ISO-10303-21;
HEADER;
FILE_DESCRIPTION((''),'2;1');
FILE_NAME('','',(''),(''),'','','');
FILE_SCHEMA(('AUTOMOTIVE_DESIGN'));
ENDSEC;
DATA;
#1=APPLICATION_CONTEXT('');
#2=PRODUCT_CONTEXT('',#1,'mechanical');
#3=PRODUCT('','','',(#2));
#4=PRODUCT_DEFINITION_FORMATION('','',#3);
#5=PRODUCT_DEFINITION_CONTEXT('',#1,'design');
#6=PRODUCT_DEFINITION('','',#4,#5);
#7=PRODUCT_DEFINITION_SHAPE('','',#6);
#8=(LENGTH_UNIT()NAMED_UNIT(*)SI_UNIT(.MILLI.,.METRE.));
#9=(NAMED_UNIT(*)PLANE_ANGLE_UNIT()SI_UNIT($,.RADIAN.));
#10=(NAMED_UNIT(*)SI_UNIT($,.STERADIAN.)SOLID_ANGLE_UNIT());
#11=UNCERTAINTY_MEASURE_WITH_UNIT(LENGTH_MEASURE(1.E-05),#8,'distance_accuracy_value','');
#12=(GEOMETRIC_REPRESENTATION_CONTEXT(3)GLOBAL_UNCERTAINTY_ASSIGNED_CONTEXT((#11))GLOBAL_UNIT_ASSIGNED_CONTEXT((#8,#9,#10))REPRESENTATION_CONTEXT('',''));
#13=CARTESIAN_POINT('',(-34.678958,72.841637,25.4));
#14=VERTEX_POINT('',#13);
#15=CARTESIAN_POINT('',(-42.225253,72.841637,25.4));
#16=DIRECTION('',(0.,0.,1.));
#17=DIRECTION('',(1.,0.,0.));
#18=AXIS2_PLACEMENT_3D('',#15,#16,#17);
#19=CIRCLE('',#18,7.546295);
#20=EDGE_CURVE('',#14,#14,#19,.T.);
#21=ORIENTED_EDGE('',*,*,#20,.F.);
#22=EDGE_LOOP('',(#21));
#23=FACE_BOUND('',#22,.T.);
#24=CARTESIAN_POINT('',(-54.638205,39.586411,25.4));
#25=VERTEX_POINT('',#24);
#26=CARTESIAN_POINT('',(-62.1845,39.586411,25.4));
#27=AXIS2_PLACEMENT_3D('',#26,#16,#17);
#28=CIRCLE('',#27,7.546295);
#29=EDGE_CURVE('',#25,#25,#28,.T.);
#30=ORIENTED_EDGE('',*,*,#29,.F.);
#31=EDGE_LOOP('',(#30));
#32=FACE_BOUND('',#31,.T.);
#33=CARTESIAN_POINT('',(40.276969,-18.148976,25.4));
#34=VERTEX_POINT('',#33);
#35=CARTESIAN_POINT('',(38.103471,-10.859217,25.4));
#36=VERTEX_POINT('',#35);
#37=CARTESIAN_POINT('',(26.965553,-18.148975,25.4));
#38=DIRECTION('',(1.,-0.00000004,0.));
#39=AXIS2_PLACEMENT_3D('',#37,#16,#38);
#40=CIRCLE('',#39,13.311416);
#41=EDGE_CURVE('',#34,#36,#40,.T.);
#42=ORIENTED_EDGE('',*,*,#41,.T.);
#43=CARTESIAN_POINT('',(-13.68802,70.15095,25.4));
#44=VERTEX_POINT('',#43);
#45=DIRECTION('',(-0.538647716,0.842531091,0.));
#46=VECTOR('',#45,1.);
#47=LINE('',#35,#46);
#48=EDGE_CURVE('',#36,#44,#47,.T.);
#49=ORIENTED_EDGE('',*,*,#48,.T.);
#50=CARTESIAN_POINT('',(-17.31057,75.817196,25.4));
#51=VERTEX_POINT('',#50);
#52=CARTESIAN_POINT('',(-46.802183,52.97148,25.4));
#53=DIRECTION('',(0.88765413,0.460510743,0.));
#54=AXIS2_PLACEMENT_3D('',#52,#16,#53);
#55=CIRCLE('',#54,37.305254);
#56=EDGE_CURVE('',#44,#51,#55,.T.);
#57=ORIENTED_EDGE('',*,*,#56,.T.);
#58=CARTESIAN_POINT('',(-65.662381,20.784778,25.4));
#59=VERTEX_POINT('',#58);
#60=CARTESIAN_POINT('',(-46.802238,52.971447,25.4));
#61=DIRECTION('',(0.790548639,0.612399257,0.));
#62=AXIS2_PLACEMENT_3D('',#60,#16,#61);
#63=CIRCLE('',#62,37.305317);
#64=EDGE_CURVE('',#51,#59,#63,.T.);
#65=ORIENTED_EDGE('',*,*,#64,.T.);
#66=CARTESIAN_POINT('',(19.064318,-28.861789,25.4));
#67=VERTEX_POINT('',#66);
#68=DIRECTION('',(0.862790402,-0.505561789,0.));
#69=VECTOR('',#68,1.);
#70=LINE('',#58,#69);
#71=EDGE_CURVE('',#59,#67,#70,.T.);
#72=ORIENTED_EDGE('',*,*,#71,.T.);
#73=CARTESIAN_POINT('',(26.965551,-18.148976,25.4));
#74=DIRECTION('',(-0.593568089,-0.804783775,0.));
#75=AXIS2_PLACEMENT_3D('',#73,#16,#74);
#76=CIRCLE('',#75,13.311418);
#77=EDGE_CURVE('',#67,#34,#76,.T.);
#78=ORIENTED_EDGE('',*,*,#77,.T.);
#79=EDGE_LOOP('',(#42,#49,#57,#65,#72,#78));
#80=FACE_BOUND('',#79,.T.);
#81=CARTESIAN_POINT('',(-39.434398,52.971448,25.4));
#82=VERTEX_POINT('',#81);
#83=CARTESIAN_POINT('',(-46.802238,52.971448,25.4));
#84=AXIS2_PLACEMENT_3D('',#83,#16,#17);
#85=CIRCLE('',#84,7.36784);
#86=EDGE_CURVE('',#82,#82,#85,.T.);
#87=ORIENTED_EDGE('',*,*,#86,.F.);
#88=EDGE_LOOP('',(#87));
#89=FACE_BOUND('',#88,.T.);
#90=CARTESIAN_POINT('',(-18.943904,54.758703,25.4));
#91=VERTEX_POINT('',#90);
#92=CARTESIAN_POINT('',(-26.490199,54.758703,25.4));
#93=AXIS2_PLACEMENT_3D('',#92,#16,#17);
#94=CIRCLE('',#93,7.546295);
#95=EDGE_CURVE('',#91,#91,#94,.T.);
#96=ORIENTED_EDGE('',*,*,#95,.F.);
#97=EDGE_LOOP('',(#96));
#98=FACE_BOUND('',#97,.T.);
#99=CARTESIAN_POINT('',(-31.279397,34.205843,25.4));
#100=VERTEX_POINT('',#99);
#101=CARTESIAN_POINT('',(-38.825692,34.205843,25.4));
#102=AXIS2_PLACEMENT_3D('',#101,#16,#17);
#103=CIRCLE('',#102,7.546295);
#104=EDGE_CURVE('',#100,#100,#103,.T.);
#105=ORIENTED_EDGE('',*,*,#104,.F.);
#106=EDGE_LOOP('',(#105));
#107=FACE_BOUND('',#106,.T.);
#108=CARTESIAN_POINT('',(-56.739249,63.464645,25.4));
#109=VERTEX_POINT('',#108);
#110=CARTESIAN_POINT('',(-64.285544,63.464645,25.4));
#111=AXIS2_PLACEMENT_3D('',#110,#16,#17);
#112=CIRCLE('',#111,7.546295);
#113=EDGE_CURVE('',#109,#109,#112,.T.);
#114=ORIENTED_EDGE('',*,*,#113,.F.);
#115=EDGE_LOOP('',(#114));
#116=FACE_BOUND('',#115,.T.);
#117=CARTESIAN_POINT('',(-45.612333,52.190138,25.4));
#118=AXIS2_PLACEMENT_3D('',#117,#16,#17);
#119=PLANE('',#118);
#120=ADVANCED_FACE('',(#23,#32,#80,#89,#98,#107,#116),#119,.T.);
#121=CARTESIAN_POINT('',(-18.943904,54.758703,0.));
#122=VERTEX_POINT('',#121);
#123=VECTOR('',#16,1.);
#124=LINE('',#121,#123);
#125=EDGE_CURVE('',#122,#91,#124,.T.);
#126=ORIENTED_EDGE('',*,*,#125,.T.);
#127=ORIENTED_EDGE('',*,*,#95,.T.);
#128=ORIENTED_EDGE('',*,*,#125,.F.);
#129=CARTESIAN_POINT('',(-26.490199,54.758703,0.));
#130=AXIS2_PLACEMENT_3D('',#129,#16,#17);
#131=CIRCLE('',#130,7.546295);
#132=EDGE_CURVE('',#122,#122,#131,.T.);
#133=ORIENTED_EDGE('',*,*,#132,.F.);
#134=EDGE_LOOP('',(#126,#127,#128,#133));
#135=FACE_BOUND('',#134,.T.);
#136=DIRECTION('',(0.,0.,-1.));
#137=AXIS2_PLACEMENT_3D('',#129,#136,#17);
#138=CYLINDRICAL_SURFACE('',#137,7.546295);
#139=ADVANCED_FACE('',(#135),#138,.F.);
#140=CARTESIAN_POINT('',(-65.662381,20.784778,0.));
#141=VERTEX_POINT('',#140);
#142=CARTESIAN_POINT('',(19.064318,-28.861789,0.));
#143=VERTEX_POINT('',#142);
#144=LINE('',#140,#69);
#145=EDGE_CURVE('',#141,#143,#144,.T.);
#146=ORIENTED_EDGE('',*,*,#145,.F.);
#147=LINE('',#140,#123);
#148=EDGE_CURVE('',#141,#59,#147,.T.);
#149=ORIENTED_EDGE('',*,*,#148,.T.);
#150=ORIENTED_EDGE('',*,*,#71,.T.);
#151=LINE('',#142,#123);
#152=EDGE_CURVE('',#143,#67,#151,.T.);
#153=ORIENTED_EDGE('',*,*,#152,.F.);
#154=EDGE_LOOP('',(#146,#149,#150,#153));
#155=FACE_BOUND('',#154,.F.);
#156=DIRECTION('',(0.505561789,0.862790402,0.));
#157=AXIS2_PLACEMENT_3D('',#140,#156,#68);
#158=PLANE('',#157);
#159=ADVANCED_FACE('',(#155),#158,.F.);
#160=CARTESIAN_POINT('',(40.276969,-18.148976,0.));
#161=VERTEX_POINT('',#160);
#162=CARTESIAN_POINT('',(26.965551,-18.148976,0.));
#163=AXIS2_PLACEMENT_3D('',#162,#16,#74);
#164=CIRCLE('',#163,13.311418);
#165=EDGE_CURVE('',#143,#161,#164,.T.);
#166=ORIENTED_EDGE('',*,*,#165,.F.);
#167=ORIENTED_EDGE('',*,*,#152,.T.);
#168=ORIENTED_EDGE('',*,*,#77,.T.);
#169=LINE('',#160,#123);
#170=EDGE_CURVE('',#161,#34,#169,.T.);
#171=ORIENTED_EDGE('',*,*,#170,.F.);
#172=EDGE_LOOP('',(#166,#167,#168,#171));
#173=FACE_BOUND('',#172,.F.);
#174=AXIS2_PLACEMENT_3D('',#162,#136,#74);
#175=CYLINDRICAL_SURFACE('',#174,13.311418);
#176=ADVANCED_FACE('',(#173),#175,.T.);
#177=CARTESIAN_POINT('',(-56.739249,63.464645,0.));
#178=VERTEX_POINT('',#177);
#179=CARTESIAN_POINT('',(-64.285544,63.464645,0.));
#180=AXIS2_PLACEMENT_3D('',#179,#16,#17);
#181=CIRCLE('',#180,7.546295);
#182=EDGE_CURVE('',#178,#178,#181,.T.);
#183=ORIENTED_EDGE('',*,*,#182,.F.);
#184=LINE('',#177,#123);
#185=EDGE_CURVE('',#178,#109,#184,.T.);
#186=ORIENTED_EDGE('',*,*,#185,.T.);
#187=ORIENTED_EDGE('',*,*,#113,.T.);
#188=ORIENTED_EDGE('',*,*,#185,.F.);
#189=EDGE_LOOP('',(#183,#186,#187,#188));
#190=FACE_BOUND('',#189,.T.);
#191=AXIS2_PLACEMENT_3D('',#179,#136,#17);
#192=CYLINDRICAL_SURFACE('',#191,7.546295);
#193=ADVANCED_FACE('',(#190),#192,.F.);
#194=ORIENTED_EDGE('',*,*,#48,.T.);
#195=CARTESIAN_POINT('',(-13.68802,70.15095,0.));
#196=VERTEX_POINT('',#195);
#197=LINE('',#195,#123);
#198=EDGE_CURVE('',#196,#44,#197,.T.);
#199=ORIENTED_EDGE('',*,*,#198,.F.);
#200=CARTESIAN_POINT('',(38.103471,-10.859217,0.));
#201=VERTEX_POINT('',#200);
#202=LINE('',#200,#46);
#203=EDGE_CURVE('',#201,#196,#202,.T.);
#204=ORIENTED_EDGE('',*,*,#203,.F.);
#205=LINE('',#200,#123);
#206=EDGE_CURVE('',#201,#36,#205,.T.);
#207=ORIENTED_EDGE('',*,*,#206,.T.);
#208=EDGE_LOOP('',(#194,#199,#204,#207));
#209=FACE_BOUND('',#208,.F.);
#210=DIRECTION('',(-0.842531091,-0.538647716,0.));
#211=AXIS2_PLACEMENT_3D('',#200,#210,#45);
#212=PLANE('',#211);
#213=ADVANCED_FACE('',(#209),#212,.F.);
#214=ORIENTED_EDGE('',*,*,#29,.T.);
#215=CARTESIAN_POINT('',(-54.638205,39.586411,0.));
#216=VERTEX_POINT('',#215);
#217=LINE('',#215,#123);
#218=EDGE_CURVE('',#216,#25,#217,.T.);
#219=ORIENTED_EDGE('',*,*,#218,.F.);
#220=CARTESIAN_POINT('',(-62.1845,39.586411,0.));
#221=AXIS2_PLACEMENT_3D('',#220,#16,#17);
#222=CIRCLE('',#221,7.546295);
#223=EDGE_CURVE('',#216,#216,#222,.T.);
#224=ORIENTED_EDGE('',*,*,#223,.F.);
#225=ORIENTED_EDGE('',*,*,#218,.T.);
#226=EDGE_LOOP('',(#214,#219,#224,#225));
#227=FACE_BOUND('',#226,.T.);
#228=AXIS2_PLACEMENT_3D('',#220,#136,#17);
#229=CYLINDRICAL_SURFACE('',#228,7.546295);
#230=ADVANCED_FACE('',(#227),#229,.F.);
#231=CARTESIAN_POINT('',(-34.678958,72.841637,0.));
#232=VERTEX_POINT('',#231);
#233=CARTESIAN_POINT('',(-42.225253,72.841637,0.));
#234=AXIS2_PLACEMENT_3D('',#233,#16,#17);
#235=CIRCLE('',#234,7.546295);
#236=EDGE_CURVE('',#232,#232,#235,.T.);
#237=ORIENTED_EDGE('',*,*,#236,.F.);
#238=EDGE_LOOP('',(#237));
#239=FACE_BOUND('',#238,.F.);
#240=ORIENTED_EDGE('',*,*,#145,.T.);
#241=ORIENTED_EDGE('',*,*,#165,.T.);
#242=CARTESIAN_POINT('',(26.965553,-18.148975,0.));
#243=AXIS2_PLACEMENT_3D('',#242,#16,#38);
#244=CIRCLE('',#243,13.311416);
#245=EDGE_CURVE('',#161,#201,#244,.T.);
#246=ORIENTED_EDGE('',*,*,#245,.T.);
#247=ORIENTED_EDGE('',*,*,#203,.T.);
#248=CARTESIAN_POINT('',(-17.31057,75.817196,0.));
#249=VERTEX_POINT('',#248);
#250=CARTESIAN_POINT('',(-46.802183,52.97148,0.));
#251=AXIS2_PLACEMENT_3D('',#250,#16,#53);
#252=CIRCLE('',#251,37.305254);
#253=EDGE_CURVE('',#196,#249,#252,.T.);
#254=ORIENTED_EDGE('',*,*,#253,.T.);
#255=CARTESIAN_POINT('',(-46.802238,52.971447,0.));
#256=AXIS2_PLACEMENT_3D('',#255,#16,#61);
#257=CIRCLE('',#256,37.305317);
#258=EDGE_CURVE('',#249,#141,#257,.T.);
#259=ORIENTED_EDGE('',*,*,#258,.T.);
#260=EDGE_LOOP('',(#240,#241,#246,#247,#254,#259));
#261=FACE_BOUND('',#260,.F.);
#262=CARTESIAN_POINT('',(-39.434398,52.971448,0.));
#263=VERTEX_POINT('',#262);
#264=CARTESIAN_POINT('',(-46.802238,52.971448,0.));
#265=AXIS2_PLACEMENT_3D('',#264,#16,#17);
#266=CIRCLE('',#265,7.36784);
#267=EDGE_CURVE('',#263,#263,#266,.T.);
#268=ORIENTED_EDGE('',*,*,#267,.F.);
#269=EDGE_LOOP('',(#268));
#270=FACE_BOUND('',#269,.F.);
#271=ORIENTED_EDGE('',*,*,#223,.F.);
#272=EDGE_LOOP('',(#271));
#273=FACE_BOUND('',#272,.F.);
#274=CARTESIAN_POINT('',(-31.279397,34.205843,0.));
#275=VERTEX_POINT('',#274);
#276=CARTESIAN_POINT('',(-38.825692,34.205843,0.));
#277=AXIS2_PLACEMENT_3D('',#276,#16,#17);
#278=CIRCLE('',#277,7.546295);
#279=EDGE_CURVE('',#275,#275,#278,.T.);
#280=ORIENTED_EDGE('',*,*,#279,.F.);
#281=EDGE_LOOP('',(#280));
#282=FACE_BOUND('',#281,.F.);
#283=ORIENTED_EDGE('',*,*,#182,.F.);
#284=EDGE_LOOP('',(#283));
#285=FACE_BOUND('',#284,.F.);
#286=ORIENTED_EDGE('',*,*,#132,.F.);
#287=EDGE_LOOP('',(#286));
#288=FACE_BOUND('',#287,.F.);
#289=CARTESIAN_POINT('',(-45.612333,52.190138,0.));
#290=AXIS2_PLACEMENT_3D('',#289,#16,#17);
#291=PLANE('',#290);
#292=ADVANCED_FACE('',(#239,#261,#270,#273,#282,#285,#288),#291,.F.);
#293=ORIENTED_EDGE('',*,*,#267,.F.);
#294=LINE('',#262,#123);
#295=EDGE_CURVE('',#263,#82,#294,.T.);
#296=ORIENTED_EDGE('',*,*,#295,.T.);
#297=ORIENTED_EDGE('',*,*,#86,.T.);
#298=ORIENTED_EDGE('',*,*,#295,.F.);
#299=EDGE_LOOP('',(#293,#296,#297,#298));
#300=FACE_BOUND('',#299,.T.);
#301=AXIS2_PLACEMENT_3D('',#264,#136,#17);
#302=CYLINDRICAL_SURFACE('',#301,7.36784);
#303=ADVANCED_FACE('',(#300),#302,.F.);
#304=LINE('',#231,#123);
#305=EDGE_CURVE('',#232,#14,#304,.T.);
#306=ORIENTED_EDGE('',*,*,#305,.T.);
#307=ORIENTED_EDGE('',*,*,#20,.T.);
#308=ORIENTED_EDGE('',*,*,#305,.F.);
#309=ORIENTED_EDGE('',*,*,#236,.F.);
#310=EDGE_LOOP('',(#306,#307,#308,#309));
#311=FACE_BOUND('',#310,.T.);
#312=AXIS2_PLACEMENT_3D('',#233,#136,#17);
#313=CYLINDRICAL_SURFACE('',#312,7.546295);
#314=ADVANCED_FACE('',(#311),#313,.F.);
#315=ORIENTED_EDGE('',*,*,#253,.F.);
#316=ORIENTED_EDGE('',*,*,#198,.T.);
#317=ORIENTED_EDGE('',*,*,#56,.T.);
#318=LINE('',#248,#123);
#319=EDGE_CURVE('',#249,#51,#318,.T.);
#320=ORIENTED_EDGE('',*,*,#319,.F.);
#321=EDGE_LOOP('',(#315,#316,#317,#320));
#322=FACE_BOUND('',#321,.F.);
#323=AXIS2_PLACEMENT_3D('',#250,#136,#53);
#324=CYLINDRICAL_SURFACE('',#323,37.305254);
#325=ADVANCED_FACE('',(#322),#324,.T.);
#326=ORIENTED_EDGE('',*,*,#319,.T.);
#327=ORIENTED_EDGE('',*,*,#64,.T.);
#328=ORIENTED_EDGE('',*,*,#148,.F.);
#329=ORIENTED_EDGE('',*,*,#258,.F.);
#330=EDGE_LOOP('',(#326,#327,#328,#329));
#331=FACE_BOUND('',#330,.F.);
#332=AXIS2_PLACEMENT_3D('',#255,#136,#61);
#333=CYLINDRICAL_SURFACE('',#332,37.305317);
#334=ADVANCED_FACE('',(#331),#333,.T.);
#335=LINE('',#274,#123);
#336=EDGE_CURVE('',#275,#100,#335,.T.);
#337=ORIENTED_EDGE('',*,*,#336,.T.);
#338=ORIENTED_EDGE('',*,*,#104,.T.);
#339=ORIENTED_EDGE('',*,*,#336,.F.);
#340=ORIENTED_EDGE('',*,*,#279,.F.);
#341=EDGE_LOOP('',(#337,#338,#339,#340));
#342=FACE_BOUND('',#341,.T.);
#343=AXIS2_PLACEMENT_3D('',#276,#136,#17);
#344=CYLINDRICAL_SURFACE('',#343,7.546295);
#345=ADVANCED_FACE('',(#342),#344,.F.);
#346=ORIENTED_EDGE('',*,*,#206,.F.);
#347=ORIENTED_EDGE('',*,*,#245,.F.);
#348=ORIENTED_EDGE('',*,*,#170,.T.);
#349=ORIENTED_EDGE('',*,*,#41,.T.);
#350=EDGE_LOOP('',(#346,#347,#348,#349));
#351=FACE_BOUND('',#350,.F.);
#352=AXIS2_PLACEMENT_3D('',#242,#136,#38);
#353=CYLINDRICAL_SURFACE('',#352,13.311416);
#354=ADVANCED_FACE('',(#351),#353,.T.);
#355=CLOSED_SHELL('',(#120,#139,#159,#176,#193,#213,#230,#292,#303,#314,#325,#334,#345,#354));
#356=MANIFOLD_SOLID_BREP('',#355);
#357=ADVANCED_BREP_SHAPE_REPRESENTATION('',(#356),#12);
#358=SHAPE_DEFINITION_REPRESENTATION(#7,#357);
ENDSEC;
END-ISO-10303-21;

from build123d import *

# Parameters (mm, degrees)
F0_R     = 7.546295
F0_R_2   = 7.36784
F1_DEPTH = 25.4


with BuildPart() as f1:
    # F0 (on Top) → F1 (new body)
    with BuildSketch(Plane.XY):
        with BuildLine():
            Line((-13.68802, 70.15095), (-17.31057, 75.817196))
            ThreePointArc((-17.31057, 75.817196), (-74.82721, 77.594356), (-65.662381, 20.784778))
            ThreePointArc((-65.662381, 20.784778), (-28.253611, 20.604255), (-9.49692, 52.971448))
            ThreePointArc((-9.49692, 52.971448), (-10.559838, 61.813119), (-13.68802, 70.15095))
        make_face()
        with Locations((-62.1845, 39.586411)):
            Circle(F0_R, mode=Mode.SUBTRACT)
        with Locations((-38.825692, 34.205843)):
            Circle(F0_R, mode=Mode.SUBTRACT)
        with Locations((-46.802238, 52.971448)):
            Circle(F0_R_2, mode=Mode.SUBTRACT)
        with Locations((-26.490199, 54.758703)):
            Circle(F0_R, mode=Mode.SUBTRACT)
        with Locations((-64.285544, 63.464645)):
            Circle(F0_R, mode=Mode.SUBTRACT)
        with Locations((-42.225253, 72.841637)):
            Circle(F0_R, mode=Mode.SUBTRACT)
        with BuildLine():
            ThreePointArc((-13.68802, 70.15095), (-15.371348, 73.065872), (-17.31057, 75.817196))
            Line((-17.31057, 75.817196), (-13.68802, 70.15095))
        make_face()
        with BuildLine():
            ThreePointArc((-9.49692, 52.971448), (-28.253611, 20.604255), (-65.662381, 20.784778))
            Line((-65.662381, 20.784778), (19.064318, -28.861789))
            ThreePointArc((19.064318, -28.861789), (17.819941, -8.476765), (38.103471, -10.859217))
            Line((38.103471, -10.859217), (-13.68802, 70.15095))
            ThreePointArc((-13.68802, 70.15095), (-10.559838, 61.813119), (-9.49692, 52.971448))
        make_face()
        with BuildLine():
            ThreePointArc((38.103471, -10.859217), (17.819941, -8.476765), (19.064318, -28.861789))
            ThreePointArc((19.064318, -28.861789), (32.966269, -30.031115), (40.276969, -18.148976))
            ThreePointArc((40.276969, -18.148976), (39.722027, -14.345534), (38.103471, -10.859217))
        make_face()
    extrude(amount=F1_DEPTH)


solid = f1.part
